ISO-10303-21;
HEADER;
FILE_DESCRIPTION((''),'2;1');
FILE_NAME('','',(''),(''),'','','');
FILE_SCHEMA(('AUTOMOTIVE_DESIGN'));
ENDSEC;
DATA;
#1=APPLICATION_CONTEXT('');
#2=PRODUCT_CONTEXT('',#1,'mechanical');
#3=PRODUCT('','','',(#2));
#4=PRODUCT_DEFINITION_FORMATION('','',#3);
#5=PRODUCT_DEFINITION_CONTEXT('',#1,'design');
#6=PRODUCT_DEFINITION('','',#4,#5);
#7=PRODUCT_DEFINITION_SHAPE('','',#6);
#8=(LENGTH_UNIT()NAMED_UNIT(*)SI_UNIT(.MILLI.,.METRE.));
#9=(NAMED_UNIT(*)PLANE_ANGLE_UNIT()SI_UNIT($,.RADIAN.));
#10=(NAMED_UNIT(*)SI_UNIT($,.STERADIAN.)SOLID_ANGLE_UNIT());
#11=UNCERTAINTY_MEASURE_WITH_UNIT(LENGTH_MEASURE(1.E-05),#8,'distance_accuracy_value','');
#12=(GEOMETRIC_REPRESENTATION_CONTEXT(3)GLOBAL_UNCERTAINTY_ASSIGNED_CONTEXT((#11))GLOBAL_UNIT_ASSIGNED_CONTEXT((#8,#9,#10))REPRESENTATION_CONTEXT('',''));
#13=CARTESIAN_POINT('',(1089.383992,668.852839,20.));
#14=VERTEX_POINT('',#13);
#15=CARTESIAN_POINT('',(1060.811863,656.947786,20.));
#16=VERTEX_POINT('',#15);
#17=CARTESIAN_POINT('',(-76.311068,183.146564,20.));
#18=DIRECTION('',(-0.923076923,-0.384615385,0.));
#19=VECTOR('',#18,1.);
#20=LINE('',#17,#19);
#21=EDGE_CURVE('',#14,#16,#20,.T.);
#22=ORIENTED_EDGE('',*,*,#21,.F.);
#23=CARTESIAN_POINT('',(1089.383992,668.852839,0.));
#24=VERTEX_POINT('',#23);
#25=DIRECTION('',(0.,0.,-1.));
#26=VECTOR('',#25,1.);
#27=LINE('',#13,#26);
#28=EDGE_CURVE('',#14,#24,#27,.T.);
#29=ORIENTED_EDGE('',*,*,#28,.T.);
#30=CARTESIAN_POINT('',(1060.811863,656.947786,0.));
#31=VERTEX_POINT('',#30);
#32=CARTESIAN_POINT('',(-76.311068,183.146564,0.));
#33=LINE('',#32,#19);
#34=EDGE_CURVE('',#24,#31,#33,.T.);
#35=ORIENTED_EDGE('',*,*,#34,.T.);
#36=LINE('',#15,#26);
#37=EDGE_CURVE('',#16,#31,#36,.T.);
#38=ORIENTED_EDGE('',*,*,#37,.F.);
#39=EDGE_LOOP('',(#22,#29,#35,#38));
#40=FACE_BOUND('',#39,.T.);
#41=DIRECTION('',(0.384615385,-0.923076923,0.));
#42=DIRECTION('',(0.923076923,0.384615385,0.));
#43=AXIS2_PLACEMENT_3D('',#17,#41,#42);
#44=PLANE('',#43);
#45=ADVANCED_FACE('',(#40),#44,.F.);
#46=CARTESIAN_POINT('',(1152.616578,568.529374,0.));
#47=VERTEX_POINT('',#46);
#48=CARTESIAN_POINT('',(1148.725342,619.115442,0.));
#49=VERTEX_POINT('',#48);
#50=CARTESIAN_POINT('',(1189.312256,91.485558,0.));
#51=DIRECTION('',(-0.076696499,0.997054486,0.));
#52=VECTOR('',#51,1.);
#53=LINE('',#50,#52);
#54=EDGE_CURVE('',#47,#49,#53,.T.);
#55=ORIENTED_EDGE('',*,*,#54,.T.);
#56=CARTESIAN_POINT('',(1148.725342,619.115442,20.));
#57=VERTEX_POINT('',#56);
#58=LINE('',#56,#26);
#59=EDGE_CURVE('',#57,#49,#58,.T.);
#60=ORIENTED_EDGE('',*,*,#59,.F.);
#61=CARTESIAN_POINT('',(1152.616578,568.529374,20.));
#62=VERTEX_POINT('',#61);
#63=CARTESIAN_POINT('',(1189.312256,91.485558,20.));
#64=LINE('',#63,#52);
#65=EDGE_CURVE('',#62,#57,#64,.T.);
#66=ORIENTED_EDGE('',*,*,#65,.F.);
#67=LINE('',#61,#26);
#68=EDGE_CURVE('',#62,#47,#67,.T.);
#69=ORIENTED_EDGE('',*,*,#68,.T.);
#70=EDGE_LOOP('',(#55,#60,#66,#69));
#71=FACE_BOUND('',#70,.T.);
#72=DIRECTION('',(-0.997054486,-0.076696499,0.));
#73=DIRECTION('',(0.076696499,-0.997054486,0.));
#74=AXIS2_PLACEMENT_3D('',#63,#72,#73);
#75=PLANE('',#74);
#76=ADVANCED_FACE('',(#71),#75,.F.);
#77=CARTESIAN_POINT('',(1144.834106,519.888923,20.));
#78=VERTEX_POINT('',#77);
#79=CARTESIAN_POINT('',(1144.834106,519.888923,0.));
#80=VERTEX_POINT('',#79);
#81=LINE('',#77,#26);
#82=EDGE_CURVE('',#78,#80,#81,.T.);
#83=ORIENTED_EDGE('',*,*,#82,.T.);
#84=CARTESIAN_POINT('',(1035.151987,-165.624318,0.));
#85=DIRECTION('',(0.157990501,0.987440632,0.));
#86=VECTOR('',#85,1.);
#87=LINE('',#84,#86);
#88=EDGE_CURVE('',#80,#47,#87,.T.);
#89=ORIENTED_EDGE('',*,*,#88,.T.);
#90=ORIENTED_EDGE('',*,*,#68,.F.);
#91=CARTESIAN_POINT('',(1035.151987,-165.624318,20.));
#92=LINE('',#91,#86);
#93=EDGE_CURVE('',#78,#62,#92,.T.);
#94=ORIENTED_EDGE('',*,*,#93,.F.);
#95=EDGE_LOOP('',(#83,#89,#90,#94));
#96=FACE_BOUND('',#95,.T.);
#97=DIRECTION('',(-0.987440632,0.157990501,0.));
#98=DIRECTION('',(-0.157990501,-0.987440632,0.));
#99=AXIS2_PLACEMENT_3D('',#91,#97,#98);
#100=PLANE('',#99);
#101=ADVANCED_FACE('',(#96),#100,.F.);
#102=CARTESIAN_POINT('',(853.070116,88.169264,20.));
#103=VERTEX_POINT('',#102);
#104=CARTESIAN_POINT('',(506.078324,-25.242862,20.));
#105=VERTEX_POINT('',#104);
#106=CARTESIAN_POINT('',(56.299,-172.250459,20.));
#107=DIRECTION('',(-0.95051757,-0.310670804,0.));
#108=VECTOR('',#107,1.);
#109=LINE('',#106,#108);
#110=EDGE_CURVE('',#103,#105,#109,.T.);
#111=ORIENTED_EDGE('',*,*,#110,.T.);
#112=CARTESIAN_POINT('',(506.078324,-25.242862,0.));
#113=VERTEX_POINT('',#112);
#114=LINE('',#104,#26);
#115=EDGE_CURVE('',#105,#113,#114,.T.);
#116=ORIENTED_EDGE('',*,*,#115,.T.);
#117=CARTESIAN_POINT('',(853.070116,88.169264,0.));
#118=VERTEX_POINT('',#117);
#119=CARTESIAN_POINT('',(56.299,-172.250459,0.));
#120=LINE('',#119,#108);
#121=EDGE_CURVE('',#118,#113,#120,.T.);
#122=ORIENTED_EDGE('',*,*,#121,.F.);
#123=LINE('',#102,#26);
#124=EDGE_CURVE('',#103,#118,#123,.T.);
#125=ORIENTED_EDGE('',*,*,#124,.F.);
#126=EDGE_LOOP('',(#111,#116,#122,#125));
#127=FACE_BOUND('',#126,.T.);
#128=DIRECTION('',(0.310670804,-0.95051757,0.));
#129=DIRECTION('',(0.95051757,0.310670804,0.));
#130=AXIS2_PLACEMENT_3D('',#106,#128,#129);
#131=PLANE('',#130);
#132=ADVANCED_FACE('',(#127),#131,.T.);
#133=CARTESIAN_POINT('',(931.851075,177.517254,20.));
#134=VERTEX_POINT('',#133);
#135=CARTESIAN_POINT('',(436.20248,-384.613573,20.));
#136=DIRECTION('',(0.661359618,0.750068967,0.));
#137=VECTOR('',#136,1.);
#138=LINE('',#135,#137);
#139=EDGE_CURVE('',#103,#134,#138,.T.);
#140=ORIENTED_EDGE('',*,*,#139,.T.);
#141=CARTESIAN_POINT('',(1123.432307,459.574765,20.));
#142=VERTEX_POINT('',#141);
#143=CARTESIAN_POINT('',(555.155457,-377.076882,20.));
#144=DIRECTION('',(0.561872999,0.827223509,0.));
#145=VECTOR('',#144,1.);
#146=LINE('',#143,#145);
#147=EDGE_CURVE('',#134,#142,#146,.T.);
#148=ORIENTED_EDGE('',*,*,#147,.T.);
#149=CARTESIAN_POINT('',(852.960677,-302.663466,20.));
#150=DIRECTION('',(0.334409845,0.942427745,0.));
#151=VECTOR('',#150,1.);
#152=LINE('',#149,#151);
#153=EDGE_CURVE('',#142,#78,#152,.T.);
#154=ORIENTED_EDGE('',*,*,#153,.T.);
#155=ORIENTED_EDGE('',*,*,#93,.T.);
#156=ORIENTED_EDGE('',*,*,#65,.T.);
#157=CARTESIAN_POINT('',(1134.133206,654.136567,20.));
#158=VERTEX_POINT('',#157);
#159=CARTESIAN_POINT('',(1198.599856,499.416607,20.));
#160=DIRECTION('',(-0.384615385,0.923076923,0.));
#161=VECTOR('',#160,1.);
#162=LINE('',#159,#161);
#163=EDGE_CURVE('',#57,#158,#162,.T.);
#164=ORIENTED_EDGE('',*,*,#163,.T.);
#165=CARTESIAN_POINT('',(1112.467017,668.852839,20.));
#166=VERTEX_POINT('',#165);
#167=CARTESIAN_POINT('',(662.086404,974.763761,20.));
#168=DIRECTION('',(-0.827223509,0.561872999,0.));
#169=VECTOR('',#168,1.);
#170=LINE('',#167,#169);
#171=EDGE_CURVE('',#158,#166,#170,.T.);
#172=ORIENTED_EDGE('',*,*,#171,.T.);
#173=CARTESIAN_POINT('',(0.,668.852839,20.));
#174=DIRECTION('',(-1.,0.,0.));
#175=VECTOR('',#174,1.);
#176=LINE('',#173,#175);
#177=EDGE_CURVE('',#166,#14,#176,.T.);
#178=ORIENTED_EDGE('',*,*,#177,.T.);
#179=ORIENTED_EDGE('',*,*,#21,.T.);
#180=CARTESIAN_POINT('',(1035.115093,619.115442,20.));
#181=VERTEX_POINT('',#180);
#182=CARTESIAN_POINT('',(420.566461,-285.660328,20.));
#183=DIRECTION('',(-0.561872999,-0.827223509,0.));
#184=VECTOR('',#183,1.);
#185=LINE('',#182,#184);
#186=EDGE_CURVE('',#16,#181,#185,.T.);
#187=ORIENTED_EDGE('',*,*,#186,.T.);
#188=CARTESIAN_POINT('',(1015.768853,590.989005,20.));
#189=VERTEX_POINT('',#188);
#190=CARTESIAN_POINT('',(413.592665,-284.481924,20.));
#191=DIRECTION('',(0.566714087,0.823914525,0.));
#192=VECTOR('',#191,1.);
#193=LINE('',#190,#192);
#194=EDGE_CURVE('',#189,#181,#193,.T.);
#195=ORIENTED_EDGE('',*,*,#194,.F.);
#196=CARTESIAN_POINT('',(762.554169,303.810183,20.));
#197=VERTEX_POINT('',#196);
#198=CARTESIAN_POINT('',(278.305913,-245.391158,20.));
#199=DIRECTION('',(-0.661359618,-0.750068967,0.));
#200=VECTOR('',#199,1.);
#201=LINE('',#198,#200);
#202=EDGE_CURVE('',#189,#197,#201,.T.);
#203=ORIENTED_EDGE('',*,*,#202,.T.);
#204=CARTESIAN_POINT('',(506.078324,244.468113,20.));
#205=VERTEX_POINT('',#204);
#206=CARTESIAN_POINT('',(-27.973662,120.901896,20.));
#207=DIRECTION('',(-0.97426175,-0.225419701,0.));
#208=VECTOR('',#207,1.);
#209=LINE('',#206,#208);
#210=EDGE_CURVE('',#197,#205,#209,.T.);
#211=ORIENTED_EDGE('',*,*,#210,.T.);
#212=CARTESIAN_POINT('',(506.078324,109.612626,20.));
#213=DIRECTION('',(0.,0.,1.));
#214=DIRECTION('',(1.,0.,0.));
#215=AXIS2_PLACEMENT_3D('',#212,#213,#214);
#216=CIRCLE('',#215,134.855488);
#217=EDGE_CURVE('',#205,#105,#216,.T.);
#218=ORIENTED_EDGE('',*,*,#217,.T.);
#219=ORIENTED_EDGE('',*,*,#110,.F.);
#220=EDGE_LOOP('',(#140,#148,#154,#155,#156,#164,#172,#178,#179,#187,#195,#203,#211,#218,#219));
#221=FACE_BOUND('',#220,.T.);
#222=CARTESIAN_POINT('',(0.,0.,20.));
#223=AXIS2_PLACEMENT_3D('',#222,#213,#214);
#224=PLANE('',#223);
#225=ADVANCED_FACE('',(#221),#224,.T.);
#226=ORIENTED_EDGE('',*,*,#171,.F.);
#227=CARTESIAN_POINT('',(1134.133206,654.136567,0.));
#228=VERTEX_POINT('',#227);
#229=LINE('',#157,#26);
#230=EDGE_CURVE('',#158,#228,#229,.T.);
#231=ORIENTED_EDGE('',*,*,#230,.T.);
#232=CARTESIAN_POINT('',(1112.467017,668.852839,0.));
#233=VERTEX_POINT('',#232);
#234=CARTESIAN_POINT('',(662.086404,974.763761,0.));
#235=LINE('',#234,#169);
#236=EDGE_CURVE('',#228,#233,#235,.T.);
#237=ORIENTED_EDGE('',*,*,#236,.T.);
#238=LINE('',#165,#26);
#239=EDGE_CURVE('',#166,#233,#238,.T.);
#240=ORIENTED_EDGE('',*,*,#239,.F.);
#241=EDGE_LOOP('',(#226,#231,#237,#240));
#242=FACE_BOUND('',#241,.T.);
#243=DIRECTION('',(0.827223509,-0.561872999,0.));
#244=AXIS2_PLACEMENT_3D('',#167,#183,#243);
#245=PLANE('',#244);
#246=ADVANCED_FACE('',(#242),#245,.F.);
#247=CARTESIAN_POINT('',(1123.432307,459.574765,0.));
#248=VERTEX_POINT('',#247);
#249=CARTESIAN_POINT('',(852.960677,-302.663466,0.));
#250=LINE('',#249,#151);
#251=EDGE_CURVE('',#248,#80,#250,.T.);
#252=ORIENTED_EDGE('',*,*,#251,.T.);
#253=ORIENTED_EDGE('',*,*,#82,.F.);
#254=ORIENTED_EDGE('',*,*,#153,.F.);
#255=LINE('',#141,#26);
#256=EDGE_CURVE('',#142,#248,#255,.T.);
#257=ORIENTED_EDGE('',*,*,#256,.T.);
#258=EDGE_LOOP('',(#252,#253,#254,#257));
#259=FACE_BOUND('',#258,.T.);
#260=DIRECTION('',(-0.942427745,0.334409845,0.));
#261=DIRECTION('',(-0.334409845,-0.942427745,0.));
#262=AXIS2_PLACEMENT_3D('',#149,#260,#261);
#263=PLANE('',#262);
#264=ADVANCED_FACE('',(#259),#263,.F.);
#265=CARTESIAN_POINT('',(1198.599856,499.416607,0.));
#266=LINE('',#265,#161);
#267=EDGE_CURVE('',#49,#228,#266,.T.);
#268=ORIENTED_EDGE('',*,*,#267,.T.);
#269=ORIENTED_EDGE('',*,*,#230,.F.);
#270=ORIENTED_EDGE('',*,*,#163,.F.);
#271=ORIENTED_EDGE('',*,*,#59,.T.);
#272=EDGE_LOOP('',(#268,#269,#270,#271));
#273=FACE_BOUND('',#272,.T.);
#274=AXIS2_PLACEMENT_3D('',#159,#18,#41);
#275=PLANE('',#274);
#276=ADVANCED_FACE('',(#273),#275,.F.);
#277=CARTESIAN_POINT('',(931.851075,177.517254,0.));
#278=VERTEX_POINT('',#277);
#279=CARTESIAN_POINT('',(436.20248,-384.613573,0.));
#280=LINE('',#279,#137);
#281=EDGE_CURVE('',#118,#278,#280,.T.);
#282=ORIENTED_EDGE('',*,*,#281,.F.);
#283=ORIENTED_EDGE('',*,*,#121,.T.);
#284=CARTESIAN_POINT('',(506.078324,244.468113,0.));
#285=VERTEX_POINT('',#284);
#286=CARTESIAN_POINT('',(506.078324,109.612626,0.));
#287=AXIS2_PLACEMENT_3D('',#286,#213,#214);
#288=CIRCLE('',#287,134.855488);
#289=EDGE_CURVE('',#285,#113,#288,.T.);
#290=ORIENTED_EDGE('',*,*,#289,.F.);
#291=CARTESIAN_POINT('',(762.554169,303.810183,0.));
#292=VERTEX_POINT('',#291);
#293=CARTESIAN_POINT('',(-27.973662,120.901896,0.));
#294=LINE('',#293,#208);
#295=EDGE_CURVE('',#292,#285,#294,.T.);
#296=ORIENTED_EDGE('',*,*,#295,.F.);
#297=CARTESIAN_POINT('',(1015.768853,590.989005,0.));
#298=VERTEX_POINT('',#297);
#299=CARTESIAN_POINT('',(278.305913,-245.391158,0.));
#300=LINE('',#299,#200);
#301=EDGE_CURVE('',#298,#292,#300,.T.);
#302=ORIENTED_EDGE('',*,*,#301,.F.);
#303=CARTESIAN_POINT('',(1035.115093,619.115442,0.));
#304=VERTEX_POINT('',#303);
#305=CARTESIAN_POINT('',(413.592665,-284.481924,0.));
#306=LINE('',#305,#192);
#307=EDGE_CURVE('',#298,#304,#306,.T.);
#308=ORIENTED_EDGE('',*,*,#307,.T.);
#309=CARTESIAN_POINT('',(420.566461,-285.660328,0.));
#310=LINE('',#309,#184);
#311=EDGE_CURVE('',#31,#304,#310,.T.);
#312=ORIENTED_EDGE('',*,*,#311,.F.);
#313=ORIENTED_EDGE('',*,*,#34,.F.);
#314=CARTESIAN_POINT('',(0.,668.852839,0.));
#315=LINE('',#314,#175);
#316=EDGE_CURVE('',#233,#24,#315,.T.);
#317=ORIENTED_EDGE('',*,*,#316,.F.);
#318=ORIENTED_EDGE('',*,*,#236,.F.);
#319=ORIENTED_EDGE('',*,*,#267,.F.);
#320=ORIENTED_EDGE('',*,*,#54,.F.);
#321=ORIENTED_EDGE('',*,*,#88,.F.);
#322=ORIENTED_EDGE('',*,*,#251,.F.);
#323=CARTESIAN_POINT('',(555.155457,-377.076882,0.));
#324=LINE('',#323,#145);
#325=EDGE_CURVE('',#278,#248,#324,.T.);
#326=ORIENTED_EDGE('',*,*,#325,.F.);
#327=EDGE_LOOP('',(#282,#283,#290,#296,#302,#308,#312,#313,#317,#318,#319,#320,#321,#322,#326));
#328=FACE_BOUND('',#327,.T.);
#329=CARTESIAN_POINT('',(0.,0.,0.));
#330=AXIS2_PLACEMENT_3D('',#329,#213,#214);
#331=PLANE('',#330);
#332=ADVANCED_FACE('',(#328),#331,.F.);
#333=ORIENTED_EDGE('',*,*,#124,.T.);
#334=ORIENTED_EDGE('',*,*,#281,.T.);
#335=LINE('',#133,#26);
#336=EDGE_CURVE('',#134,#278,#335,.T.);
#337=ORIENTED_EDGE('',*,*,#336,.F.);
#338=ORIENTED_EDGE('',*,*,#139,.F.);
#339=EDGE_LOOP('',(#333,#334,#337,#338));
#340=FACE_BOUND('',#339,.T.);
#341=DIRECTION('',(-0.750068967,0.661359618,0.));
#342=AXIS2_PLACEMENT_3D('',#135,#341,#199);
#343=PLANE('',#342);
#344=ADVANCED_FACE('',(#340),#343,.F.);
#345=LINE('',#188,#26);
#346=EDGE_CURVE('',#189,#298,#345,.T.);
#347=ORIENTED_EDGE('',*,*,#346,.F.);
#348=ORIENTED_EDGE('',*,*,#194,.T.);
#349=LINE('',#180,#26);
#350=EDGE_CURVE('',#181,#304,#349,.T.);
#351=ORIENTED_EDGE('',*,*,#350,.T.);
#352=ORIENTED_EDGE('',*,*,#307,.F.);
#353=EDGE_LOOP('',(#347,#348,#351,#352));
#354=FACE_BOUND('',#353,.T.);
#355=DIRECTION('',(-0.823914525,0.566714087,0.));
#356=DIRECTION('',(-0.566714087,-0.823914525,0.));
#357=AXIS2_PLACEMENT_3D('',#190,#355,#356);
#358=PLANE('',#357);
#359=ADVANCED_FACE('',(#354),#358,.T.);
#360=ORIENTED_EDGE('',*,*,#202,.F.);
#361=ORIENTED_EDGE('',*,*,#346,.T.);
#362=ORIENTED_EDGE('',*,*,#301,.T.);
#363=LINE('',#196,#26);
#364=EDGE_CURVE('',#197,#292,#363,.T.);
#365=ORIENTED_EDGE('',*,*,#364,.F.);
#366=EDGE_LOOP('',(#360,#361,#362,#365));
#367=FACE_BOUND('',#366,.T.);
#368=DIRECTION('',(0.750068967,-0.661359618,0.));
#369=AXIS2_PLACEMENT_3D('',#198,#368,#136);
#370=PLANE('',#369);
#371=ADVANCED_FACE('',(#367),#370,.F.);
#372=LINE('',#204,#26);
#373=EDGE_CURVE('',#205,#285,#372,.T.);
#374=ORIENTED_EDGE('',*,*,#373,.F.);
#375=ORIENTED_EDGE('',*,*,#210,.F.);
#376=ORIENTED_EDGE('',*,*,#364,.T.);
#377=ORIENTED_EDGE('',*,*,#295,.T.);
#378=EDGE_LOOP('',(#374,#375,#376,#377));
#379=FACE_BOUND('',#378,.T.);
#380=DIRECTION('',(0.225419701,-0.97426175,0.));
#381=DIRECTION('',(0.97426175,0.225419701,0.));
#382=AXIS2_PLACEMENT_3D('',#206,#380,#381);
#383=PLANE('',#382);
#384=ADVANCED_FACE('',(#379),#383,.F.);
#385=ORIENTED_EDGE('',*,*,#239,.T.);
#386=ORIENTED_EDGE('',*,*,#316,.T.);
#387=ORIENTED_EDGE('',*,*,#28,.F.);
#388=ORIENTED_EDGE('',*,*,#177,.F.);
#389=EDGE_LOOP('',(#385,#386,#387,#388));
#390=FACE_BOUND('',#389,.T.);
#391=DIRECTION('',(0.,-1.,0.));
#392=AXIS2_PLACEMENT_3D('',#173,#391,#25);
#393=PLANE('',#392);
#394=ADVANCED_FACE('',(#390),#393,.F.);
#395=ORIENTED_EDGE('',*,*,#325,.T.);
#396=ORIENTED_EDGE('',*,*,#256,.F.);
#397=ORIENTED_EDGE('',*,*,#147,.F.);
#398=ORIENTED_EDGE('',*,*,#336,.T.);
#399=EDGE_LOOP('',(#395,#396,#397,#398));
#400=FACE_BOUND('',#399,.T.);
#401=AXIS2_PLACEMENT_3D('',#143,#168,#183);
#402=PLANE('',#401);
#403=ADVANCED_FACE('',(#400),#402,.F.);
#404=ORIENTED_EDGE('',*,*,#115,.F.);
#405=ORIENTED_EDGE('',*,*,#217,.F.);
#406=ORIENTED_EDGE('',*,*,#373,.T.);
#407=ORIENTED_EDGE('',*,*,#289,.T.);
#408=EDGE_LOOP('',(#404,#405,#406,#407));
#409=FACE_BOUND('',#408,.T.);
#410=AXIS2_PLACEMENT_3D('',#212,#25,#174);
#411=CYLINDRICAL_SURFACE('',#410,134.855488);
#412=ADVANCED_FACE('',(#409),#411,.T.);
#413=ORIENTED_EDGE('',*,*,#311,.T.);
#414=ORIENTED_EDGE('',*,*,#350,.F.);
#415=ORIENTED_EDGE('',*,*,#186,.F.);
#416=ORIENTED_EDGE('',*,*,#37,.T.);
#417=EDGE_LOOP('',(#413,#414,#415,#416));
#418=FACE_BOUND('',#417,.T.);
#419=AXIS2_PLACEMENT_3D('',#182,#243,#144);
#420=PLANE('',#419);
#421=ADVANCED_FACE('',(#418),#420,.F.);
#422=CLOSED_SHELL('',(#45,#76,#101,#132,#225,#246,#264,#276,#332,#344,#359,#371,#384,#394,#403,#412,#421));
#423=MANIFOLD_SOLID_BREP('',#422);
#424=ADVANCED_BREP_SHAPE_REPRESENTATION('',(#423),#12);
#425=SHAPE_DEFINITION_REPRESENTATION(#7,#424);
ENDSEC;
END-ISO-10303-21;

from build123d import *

# Parameters (mm, degrees)
SALIENTE_EXTRUIR1_DEPTH = 20


with BuildPart() as part:
    # Croquis1 → Saliente-Extruir1 (new body)
    with BuildSketch(Plane.XY):
        with BuildLine():
            Line((853.07011629, 88.169264479), (931.851074637, 177.517253669))
            Line((931.851074637, 177.517253669), (1123.432307328, 459.574764509))
            Line((1123.432307328, 459.574764509), (1144.834105581, 519.888923222))
            Line((1144.834105581, 519.888923222), (1152.616577673, 568.529373797))
            Line((1152.616577673, 568.529373797), (1148.725341627, 619.115442395))
            Line((1148.725341627, 619.115442395), (1134.133206454, 654.13656681))
            Line((1134.133206454, 654.13656681), (1112.467017385, 668.852839378))
            Line((1112.467017385, 668.852839378), (1089.383991925, 668.852839378))
            Line((1089.383991925, 668.852839378), (1060.811863494, 656.947785866))
            Line((1060.811863494, 656.947785866), (1035.115093442, 619.115442395))
            Line((1035.115093442, 619.115442395), (1015.768853134, 590.989004825))
            Line((1015.768853134, 590.989004825), (762.554169484, 303.810182778))
            Line((762.554169484, 303.810182778), (506.078323887, 244.468113377))
            ThreePointArc((506.078323887, 244.468113377), (371.222836086, 109.612625576), (506.078323887, -25.242862225))
            Line((506.078323887, -25.242862225), (853.07011629, 88.169264479))
        make_face()
    extrude(amount=SALIENTE_EXTRUIR1_DEPTH)


solid = part.part
